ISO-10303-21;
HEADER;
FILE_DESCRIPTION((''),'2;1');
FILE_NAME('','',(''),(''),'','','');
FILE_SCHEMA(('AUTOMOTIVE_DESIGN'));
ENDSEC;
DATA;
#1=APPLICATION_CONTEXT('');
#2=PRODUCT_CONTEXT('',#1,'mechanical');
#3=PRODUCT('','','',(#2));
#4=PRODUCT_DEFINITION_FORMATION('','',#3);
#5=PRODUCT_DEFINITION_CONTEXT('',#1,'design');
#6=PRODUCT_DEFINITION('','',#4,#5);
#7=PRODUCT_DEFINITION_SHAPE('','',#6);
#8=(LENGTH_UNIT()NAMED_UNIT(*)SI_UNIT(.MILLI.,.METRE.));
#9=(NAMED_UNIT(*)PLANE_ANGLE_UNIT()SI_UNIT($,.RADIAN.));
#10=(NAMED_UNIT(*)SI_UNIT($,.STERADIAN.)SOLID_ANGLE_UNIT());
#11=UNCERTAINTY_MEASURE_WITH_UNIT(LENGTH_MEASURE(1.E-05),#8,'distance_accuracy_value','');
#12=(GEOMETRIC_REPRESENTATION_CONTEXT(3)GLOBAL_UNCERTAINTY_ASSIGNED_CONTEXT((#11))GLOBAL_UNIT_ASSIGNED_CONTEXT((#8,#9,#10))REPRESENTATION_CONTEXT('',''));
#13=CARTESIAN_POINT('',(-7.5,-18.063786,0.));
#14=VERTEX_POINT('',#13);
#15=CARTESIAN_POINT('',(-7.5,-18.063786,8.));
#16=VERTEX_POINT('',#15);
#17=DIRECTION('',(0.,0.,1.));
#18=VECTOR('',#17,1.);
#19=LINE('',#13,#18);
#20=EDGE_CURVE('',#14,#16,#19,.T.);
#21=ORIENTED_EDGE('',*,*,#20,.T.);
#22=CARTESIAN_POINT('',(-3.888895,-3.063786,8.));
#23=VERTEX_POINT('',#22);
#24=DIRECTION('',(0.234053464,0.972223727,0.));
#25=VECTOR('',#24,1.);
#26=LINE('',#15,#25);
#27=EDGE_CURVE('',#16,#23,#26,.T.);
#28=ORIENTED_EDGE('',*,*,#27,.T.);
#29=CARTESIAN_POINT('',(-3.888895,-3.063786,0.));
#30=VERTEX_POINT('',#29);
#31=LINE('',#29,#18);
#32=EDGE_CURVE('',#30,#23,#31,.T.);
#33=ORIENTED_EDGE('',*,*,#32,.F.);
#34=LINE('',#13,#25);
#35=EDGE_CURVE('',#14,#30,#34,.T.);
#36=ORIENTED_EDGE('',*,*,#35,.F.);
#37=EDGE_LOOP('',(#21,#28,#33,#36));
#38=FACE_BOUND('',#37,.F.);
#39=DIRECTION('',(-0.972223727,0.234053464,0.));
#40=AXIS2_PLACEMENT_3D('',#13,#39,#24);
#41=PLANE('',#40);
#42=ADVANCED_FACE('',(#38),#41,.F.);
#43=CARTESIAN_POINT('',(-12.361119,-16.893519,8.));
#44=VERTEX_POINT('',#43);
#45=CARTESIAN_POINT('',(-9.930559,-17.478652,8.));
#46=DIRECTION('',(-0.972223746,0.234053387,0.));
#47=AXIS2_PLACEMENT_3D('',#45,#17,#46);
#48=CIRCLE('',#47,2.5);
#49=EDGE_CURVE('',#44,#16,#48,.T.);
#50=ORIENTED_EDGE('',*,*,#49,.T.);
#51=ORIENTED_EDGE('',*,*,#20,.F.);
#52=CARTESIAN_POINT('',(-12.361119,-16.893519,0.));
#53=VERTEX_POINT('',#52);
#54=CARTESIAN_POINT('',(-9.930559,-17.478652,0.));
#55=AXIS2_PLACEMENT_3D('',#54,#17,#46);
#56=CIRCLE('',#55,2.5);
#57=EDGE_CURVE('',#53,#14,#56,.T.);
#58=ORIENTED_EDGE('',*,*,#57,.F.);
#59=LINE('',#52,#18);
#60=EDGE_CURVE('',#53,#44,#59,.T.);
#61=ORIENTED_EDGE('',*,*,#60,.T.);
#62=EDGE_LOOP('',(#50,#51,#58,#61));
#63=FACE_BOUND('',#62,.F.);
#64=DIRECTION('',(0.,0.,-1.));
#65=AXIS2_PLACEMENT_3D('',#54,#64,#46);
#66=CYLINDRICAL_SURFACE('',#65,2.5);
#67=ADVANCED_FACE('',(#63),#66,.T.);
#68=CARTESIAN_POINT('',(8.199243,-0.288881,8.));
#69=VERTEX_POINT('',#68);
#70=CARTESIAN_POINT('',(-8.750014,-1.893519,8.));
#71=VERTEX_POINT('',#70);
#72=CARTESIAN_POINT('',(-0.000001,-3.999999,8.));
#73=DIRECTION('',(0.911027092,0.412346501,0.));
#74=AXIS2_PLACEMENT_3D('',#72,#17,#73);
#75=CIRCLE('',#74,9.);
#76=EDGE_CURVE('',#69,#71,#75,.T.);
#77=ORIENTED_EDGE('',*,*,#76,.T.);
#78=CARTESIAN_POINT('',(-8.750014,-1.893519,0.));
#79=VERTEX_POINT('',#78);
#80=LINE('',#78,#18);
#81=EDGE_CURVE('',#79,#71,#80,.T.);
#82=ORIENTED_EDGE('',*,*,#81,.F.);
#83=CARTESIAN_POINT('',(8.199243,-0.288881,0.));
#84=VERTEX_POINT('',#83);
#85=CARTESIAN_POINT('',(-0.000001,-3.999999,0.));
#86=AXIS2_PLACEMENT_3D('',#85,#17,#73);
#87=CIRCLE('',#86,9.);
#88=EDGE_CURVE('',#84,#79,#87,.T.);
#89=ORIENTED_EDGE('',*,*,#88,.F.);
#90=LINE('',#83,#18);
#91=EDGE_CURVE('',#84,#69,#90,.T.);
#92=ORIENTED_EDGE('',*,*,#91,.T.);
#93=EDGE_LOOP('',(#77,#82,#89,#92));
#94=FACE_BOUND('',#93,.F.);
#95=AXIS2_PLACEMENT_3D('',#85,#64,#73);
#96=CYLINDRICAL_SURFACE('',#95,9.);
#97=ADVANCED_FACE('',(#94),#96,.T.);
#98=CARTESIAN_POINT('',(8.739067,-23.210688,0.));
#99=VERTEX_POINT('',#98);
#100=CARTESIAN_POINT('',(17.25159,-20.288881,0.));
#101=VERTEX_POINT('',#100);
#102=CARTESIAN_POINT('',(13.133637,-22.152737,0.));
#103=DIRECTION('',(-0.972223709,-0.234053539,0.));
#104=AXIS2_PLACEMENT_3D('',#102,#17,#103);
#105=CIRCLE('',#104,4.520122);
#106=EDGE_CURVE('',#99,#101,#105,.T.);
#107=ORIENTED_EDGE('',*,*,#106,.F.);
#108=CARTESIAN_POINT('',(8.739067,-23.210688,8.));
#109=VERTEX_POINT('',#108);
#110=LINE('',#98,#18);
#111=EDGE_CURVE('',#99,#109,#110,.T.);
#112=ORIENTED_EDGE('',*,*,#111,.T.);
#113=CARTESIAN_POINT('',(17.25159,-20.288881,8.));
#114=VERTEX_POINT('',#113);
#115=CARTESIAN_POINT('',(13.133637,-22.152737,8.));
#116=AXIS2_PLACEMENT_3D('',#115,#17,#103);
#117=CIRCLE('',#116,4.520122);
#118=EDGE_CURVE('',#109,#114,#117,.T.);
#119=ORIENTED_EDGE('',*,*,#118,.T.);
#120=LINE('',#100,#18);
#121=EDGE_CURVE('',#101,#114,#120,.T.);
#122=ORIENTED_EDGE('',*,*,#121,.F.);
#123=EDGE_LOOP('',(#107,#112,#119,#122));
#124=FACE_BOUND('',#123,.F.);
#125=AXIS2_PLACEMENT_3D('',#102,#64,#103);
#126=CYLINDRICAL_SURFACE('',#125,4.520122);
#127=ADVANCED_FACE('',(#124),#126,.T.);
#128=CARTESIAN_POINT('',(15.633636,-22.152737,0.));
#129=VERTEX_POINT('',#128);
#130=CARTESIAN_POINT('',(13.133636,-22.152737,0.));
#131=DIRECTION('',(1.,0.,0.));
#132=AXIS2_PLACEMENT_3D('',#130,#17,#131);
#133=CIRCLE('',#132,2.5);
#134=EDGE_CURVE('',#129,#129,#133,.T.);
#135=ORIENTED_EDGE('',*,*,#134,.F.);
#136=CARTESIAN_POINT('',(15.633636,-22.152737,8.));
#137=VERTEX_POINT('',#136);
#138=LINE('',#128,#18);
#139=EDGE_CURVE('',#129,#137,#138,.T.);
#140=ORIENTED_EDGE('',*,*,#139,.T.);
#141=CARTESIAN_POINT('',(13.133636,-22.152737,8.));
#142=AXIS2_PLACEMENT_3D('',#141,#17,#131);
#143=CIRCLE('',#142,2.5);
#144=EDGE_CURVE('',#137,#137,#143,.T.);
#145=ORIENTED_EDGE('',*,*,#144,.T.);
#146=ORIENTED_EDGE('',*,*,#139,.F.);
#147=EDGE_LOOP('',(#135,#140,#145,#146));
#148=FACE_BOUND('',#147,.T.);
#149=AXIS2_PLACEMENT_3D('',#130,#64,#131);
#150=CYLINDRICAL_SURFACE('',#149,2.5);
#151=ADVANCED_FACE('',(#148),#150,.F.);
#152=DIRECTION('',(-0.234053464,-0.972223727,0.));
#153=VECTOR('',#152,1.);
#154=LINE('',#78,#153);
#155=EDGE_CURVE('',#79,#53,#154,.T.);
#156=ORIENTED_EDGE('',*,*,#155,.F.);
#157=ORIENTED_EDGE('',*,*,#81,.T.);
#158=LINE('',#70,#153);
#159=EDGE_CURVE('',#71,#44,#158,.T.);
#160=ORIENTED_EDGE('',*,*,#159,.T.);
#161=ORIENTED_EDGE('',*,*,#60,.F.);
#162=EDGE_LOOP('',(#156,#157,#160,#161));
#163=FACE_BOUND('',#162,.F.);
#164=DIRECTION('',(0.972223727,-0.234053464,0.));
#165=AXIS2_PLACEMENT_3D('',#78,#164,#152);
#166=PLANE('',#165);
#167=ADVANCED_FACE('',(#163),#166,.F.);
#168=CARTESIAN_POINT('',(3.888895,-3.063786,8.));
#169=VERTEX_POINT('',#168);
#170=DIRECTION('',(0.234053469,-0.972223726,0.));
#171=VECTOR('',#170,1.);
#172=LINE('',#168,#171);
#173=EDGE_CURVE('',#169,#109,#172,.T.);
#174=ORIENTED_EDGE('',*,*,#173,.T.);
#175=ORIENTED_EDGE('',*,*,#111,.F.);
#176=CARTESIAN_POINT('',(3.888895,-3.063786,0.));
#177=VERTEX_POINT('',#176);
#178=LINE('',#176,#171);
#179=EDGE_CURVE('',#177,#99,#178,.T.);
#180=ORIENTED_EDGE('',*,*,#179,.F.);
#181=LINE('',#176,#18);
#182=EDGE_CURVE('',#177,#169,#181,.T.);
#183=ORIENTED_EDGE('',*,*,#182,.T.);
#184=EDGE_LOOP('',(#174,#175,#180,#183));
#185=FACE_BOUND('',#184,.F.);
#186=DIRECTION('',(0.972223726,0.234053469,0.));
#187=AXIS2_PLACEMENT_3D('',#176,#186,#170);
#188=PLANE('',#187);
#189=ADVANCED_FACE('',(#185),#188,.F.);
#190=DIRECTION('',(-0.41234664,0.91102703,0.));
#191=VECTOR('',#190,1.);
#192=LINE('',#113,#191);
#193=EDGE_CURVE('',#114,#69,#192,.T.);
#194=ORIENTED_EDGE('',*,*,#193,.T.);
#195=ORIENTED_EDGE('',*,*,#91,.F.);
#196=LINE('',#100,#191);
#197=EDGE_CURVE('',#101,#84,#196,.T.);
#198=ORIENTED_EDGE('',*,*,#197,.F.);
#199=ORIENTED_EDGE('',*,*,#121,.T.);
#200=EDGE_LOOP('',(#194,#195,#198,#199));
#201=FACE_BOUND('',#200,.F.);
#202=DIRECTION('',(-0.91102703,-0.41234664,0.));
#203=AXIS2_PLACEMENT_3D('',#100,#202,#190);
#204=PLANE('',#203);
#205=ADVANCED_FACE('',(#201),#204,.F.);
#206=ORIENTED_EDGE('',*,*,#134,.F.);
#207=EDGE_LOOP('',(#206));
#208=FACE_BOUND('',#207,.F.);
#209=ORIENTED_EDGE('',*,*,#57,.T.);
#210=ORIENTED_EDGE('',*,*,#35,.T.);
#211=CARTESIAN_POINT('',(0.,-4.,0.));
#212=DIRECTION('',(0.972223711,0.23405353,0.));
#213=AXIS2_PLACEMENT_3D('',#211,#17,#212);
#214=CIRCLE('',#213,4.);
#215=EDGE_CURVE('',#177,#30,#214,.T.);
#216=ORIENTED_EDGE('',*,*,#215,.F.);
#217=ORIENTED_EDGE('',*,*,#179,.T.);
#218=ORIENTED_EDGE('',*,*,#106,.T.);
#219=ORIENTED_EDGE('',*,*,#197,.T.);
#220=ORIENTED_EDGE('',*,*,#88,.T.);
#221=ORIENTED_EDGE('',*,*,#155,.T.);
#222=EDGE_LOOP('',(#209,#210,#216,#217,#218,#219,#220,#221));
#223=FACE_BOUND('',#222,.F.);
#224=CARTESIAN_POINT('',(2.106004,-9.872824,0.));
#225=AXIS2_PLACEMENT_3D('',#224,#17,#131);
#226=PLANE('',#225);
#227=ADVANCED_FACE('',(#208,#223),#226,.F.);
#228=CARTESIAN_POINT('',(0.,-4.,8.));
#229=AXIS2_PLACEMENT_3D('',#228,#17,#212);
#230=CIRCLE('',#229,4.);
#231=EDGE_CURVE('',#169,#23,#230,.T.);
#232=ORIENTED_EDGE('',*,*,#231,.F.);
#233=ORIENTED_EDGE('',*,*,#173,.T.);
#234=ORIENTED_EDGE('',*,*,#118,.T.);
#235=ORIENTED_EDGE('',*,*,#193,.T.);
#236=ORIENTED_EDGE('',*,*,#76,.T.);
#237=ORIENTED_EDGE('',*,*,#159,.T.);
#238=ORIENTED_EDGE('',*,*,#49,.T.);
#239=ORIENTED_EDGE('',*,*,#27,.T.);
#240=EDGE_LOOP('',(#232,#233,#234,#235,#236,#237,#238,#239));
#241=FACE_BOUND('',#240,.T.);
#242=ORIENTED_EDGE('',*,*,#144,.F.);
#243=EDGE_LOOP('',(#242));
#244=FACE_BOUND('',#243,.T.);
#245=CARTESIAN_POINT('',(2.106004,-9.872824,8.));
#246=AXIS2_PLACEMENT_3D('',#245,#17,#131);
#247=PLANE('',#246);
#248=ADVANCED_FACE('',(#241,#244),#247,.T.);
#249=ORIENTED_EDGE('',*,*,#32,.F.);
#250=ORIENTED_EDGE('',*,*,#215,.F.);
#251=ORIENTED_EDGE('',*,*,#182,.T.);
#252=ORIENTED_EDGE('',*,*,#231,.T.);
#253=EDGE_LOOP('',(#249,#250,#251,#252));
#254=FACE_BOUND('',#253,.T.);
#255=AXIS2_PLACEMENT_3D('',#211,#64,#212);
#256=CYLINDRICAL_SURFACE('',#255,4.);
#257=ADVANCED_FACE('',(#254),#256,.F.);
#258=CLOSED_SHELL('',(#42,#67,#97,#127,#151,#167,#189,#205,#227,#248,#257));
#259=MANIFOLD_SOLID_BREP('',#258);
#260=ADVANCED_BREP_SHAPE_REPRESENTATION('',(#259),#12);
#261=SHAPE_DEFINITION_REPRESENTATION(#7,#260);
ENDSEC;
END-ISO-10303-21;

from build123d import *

# Parameters (mm, degrees)
SKETCH_R  = 2.5
PAD_DEPTH = 8


with BuildPart() as part:
    # Sketch → Pad (new body)
    with BuildSketch(Plane.XY):
        with BuildLine():
            Line((-7.5, -18.063786), (-3.888895, -3.063786))
            ThreePointArc((3.888895, -3.063786), (0, 0), (-3.888895, -3.063786))
            Line((3.888895, -3.063786), (8.739067, -23.210688))
            ThreePointArc((8.739067, -23.210688), (14.601072, -26.428031), (17.25159, -20.288881))
            Line((17.25159, -20.288881), (8.199243, -0.288881))
            ThreePointArc((8.199243, -0.288881), (-0.848265, 4.959936), (-8.750014, -1.893519))
            Line((-8.750014, -1.893519), (-12.361119, -16.893519))
            ThreePointArc((-12.361119, -16.893519), (-10.515693, -19.909212), (-7.5, -18.063786))
        make_face()
        with Locations((13.133636, -22.152737)):
            Circle(SKETCH_R, mode=Mode.SUBTRACT)
    extrude(amount=PAD_DEPTH)


solid = part.part
